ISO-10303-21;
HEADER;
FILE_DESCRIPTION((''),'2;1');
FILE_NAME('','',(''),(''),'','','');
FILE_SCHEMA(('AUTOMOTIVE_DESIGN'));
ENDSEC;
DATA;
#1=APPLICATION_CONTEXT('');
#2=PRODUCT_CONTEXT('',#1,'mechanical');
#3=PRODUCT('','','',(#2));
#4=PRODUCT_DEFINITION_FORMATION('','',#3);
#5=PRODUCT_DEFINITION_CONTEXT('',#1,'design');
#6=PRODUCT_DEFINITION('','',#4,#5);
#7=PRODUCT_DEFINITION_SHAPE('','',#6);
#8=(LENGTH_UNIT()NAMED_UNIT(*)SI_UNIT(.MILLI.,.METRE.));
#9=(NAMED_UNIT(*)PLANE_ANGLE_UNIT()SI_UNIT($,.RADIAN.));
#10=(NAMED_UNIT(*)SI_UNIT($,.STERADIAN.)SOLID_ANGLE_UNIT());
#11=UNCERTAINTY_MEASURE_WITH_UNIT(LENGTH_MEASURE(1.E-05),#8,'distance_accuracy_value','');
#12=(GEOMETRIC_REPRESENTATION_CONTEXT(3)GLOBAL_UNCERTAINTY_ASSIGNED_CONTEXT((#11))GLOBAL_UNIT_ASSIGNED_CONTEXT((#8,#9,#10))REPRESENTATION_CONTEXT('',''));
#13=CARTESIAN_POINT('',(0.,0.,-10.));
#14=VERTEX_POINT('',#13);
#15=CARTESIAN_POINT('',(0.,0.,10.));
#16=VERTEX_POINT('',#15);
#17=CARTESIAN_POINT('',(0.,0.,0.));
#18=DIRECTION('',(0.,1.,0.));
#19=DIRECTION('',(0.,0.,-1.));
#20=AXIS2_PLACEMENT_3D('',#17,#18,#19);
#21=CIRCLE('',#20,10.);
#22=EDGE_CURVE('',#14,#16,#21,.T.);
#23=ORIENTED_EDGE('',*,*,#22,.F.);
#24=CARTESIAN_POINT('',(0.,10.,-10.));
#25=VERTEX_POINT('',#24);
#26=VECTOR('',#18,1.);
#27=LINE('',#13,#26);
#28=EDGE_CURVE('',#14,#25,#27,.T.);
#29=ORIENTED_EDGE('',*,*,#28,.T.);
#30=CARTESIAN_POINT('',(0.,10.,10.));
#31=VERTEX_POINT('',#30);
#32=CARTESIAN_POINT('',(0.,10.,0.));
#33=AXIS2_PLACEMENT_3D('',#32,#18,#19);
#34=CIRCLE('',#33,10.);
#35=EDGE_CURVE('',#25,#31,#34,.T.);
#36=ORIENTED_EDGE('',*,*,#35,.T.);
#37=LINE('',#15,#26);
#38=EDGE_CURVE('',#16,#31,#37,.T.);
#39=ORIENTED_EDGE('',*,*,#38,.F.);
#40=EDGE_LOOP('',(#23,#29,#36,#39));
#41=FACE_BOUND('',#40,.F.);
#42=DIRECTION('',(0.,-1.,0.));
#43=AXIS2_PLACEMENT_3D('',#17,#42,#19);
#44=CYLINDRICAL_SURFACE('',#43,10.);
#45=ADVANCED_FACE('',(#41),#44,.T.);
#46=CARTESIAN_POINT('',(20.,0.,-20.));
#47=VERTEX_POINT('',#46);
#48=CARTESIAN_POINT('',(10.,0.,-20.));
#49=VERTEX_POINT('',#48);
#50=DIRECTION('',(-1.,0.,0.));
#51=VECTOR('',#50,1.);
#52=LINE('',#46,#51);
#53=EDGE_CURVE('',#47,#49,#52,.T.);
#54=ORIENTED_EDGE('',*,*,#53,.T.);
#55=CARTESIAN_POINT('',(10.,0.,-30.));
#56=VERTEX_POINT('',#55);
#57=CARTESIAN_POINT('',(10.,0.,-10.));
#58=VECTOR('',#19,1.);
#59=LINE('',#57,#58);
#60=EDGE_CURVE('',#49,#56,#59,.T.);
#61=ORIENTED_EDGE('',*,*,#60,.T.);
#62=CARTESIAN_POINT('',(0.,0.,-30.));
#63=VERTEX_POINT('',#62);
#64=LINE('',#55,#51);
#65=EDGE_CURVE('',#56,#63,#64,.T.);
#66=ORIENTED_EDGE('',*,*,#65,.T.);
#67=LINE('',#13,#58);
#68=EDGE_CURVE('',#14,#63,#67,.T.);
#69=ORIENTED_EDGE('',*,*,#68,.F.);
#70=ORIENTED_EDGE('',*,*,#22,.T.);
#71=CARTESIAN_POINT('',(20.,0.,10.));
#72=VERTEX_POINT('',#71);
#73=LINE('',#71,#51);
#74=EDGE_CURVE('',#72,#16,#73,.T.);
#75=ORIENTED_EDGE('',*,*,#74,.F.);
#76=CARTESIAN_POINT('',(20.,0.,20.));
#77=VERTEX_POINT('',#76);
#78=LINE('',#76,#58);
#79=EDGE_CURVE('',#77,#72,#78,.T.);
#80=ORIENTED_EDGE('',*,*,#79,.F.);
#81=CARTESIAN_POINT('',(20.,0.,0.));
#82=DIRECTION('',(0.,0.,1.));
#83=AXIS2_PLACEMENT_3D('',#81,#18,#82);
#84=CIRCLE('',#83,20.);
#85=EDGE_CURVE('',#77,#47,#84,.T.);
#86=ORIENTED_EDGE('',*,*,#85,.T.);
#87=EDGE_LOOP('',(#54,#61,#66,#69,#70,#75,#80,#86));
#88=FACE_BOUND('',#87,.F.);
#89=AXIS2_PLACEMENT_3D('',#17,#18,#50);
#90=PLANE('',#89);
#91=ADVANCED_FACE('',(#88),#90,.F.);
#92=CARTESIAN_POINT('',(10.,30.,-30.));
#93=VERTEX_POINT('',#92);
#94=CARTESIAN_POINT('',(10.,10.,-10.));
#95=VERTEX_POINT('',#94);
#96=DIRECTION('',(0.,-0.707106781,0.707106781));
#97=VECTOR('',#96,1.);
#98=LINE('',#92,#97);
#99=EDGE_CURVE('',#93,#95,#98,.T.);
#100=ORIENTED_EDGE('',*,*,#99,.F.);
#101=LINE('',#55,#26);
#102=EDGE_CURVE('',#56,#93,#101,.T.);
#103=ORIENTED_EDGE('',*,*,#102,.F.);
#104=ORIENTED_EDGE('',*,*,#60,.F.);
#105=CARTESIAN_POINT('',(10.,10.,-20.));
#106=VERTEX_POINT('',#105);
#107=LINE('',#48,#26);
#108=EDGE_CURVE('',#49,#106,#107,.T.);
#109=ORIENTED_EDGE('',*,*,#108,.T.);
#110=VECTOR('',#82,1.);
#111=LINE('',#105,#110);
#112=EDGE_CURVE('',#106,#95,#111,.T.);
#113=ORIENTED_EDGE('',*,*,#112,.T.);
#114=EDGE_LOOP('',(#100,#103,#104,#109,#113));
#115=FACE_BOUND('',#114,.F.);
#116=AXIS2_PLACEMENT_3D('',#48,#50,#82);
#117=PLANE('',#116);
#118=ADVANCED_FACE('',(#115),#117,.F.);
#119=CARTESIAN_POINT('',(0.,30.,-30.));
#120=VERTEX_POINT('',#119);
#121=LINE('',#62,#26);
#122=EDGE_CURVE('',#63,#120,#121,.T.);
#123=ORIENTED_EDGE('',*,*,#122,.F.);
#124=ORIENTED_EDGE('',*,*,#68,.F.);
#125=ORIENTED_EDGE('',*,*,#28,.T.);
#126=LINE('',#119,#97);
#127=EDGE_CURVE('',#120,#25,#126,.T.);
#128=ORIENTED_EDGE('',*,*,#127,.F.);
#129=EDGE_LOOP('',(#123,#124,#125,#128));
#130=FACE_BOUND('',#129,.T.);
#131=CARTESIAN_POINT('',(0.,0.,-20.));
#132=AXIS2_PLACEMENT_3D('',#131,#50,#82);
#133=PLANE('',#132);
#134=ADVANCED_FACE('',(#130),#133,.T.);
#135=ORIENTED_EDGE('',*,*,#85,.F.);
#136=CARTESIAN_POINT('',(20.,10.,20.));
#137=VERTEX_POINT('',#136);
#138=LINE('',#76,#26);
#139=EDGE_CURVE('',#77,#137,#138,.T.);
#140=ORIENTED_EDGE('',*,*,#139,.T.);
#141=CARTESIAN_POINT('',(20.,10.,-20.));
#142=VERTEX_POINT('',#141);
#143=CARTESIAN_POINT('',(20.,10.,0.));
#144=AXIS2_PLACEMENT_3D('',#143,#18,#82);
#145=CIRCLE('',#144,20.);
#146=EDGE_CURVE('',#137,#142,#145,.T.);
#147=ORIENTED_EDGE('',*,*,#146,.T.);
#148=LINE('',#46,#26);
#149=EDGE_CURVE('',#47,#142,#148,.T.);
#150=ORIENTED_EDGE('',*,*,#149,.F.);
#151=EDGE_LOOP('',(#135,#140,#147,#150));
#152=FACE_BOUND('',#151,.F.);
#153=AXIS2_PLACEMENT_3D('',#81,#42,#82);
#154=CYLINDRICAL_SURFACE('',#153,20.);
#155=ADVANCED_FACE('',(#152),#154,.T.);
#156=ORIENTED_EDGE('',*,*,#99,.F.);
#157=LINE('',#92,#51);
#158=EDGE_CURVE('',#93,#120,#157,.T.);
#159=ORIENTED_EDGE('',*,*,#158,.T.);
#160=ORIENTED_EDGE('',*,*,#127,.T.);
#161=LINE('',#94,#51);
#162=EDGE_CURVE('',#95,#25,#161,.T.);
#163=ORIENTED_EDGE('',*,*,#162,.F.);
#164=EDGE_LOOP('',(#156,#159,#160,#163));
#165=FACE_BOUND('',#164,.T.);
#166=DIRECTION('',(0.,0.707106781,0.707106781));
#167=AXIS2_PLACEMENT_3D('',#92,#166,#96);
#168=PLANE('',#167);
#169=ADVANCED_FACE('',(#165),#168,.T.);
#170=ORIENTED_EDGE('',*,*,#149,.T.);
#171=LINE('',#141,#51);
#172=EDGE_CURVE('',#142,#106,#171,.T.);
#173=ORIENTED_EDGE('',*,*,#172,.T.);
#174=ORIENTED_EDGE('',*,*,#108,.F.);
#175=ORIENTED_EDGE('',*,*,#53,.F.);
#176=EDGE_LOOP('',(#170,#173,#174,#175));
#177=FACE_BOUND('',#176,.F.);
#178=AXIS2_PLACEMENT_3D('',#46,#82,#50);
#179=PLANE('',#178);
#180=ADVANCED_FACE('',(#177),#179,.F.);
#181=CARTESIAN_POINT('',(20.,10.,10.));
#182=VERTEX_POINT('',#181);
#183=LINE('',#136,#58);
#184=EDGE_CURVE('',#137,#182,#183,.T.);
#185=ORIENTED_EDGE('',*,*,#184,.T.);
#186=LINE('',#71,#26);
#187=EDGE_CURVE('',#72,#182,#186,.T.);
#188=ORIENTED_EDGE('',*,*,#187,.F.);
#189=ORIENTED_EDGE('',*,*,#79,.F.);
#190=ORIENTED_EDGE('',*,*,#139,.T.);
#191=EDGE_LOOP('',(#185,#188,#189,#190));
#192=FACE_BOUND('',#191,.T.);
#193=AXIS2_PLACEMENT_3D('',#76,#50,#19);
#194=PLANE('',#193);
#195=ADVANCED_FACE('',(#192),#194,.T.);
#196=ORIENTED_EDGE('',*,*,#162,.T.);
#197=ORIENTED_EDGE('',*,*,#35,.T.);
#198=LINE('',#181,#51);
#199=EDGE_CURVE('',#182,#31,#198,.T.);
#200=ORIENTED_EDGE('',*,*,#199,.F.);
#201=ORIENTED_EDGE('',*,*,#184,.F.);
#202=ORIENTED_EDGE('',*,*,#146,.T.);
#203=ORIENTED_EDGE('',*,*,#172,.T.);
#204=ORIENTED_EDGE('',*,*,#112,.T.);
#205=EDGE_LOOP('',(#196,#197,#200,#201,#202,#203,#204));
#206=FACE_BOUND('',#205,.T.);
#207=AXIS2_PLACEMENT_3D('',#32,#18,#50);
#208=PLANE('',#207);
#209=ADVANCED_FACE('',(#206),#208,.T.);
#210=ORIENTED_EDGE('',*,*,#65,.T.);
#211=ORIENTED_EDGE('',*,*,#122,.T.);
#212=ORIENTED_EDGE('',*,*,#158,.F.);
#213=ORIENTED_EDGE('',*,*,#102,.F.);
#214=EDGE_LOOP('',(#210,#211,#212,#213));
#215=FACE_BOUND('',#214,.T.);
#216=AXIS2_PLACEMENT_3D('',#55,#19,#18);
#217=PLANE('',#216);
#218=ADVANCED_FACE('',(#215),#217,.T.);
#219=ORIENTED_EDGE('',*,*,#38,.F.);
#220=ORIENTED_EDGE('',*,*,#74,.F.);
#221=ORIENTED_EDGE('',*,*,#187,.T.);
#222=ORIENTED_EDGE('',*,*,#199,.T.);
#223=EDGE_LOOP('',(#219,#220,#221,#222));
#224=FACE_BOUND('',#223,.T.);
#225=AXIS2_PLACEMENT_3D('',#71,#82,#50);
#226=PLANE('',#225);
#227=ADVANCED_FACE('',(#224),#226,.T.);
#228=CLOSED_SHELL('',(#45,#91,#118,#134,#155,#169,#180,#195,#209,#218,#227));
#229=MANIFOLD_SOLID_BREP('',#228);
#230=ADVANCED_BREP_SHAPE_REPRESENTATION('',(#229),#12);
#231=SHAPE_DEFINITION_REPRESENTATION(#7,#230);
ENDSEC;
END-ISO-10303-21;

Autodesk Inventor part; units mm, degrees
ref_plane "YZ Plane" through (0, 0, 0) normal (1, 0, 0) x (0, 1, 0)
ref_plane "XZ Plane" through (0, 0, 0) normal (0, 1, 0) x (-1, 0, 0)
ref_plane "XY Plane" through (0, 0, 0) normal (0, 0, 1) x (1, 0, 0)
sketch "草圖1" plane through (0, 0, 0) normal (0, 1, 0) x (-1, 0, 0)
  arc A0 (0, -10) -> (0, 10) centre (0, 0) ccw
  line L0 (-20, -20) -> (-10, -20)
  line L1 (-10, -20) -> (-10, -10)
  line L2 (-10, -10) -> (0, -10)
  line L3 (-20, 20) -> (-20, 10)
  line L4 (-20, 10) -> (0, 10)
  arc A1 (-20, 20) -> (-20, -20) centre (-20, 0) ccw
  dimension "d0" = 20
  dimension "d2" = 20
  dimension "d3" = 0
  dimension "d4" = 10
  dimension "d5" = 10
  dimension "d6" = 10
  dimension "d7" = 20
  dimension "d8" = 20
extrude "擠出1" add sketch "草圖1" along normal blind 10
sketch "草圖3" plane through (10, 0, -20) normal (-1, 0, 0) x (0, 0, 1)
  line L0 (10, 0) -> (0, 0) projected
  line L1 (10, 0) -> (-10, 0)
  line L2 (-10, 0) -> (-10, 30)
  line L3 (-10, 30) -> (10, 10)
  line L4 (10, 0) -> (10, 10) projected
  line L5 (10, 10) -> (10, 0)
  point P0 (20, 0)
  dimension "d11" = 20
  dimension "d12" = 30
  dimension "d13" = 0
extrude "擠出2" add sketch "草圖3" along normal blind 10
properties part number "44 (16853.982 mm^3)"
